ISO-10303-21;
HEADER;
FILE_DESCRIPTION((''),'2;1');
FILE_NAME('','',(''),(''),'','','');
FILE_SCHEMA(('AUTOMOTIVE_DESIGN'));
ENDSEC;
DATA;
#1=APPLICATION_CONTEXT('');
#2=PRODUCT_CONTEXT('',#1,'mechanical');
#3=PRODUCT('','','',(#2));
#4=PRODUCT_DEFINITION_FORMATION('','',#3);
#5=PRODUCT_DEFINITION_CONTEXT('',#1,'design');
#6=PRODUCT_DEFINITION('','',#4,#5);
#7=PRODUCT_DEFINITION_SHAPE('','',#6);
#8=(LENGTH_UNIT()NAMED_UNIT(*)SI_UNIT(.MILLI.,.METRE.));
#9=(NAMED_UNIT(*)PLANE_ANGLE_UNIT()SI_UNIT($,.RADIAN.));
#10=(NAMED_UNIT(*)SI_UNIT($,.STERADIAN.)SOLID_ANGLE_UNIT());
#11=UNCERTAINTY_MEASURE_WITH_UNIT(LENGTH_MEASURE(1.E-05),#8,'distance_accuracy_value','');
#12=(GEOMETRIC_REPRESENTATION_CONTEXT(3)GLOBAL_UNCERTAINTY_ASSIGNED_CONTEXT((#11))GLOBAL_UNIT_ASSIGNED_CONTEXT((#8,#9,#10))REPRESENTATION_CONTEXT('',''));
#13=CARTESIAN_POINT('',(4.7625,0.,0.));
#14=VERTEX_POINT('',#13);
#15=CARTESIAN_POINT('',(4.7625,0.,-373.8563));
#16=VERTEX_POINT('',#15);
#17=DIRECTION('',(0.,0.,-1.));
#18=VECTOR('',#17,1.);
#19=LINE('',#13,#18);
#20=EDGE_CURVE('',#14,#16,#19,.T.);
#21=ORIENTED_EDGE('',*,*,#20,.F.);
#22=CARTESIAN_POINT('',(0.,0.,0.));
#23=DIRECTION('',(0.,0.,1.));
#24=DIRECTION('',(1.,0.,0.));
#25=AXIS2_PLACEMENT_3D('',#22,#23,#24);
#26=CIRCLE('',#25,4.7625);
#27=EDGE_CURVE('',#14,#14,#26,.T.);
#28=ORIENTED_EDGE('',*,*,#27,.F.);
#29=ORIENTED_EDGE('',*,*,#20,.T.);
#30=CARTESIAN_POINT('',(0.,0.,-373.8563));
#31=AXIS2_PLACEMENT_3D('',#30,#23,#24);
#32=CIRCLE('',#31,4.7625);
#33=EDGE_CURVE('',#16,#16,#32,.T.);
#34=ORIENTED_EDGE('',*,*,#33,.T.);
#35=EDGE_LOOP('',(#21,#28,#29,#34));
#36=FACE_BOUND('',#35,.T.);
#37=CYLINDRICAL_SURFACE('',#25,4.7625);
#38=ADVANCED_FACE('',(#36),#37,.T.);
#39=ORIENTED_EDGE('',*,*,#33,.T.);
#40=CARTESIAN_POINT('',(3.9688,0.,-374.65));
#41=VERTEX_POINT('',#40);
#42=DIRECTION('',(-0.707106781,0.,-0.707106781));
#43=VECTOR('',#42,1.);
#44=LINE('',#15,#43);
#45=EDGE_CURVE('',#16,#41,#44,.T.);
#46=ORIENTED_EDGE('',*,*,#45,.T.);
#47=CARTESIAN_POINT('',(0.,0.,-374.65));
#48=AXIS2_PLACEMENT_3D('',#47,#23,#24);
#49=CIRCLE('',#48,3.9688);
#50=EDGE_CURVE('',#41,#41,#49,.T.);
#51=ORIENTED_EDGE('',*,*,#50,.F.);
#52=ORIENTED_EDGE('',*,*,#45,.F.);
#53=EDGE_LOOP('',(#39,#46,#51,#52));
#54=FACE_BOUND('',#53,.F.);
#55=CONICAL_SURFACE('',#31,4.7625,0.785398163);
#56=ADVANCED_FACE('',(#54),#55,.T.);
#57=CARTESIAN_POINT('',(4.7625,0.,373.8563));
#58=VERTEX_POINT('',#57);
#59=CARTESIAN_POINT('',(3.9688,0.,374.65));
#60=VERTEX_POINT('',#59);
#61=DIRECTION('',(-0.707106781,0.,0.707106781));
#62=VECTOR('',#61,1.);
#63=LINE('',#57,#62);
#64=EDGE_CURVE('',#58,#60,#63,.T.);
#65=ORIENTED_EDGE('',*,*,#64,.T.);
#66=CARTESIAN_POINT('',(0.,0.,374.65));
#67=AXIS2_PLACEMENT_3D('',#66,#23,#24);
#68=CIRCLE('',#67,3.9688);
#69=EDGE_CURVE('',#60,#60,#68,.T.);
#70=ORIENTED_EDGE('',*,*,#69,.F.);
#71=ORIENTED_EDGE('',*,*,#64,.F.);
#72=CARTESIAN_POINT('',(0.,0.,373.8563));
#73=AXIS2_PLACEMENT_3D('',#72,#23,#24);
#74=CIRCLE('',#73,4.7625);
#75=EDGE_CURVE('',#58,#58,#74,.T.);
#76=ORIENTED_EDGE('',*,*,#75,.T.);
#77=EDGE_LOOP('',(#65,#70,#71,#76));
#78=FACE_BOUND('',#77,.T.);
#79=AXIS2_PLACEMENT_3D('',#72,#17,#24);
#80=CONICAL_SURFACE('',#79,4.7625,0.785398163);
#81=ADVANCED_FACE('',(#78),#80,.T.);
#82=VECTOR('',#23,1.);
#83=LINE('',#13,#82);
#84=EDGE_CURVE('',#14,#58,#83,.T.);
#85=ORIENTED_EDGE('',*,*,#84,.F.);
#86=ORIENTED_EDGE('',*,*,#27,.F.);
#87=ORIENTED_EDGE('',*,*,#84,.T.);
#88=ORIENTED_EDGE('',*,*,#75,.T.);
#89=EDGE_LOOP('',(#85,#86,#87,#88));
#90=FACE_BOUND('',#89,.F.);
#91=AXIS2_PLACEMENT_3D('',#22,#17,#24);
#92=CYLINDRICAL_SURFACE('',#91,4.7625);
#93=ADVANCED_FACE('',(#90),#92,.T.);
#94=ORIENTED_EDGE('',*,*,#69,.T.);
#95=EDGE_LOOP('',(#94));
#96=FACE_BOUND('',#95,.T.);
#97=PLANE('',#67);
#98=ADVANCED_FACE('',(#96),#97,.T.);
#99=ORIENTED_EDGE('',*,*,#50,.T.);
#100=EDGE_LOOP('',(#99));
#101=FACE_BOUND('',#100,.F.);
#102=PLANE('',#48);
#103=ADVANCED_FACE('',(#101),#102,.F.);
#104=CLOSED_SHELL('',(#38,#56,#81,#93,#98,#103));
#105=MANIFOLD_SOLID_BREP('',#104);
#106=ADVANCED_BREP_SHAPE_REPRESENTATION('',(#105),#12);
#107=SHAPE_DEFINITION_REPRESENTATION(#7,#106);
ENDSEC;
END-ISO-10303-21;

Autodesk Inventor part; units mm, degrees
ref_plane "YZ Plane" through (0, 0, 0) normal (1, 0, 0) x (0, 1, 0)
ref_plane "XZ Plane" through (0, 0, 0) normal (0, 1, 0) x (-1, 0, 0)
ref_plane "XY Plane" through (0, 0, 0) normal (0, 0, 1) x (1, 0, 0)
sketch "CORNER RELIEF 3-8 BIT" plane through (0, 0, 0) normal (0, 0, 1) x (1, 0, 0)
  circle A0 centre (0, 0) radius 5.08
  point P0 (-5.08, 0)
  point P1 (0, 5.08)
  point P2 (5.08, 0)
  point P3 (0, -5.08)
  dimension "d6" = 45
  dimension "d0" = 10.16
sketch "Sketch2" plane through (0, 0, 0) normal (0, 0, 1) x (1, 0, 0)
  circle A0 centre (0, 0) radius 4.7625
  dimension "d1" = 9.525
extrude "Extrusion1" add sketch "Sketch2" along normal mid plane 749.3
chamfer "Chamfer1" distance 0.7937 angle 45 2 edges at (-4.7625, 0, 374.65) (-4.7625, 0, -374.65)
thread "Thread1" size "3/8-16 UNC" class "2A" standard "ANSI Unified Screw Threads" full length
equation "\"PLY_1_2_THICK\" = 11.90752"
equation "\"PLY_3_4_THICK\" = 18.25752"
equation "\"WIG_WD_1_4_THICK\" = 4.7625"
equation "\"WIG_WD_3_8_THICK\" = 7.9375"
equation "\"MDF_1_2_THICK\" = 12"
equation "\"MDF_3_4_THICK\" = 18"
equation "\"BendRadius\" = Thickness"
equation "\"BendReliefWidth\" = Thickness"
equation "\"BendReliefDepth\" = 0.5 * Thickness"
equation "\"CornerReliefSize\" = 4 * Thickness"
equation "\"MinimumRemnant\" = 2 * Thickness"
equation "\"TransitionRadius\" = BendRadius"
equation "\"JacobiRadiusSize\" = BendRadius"
equation "\"GapSize\" = Thickness"
equation "\"Thickness\" = 3.048"
properties part number "2489 TR_1" material "STEEL"
